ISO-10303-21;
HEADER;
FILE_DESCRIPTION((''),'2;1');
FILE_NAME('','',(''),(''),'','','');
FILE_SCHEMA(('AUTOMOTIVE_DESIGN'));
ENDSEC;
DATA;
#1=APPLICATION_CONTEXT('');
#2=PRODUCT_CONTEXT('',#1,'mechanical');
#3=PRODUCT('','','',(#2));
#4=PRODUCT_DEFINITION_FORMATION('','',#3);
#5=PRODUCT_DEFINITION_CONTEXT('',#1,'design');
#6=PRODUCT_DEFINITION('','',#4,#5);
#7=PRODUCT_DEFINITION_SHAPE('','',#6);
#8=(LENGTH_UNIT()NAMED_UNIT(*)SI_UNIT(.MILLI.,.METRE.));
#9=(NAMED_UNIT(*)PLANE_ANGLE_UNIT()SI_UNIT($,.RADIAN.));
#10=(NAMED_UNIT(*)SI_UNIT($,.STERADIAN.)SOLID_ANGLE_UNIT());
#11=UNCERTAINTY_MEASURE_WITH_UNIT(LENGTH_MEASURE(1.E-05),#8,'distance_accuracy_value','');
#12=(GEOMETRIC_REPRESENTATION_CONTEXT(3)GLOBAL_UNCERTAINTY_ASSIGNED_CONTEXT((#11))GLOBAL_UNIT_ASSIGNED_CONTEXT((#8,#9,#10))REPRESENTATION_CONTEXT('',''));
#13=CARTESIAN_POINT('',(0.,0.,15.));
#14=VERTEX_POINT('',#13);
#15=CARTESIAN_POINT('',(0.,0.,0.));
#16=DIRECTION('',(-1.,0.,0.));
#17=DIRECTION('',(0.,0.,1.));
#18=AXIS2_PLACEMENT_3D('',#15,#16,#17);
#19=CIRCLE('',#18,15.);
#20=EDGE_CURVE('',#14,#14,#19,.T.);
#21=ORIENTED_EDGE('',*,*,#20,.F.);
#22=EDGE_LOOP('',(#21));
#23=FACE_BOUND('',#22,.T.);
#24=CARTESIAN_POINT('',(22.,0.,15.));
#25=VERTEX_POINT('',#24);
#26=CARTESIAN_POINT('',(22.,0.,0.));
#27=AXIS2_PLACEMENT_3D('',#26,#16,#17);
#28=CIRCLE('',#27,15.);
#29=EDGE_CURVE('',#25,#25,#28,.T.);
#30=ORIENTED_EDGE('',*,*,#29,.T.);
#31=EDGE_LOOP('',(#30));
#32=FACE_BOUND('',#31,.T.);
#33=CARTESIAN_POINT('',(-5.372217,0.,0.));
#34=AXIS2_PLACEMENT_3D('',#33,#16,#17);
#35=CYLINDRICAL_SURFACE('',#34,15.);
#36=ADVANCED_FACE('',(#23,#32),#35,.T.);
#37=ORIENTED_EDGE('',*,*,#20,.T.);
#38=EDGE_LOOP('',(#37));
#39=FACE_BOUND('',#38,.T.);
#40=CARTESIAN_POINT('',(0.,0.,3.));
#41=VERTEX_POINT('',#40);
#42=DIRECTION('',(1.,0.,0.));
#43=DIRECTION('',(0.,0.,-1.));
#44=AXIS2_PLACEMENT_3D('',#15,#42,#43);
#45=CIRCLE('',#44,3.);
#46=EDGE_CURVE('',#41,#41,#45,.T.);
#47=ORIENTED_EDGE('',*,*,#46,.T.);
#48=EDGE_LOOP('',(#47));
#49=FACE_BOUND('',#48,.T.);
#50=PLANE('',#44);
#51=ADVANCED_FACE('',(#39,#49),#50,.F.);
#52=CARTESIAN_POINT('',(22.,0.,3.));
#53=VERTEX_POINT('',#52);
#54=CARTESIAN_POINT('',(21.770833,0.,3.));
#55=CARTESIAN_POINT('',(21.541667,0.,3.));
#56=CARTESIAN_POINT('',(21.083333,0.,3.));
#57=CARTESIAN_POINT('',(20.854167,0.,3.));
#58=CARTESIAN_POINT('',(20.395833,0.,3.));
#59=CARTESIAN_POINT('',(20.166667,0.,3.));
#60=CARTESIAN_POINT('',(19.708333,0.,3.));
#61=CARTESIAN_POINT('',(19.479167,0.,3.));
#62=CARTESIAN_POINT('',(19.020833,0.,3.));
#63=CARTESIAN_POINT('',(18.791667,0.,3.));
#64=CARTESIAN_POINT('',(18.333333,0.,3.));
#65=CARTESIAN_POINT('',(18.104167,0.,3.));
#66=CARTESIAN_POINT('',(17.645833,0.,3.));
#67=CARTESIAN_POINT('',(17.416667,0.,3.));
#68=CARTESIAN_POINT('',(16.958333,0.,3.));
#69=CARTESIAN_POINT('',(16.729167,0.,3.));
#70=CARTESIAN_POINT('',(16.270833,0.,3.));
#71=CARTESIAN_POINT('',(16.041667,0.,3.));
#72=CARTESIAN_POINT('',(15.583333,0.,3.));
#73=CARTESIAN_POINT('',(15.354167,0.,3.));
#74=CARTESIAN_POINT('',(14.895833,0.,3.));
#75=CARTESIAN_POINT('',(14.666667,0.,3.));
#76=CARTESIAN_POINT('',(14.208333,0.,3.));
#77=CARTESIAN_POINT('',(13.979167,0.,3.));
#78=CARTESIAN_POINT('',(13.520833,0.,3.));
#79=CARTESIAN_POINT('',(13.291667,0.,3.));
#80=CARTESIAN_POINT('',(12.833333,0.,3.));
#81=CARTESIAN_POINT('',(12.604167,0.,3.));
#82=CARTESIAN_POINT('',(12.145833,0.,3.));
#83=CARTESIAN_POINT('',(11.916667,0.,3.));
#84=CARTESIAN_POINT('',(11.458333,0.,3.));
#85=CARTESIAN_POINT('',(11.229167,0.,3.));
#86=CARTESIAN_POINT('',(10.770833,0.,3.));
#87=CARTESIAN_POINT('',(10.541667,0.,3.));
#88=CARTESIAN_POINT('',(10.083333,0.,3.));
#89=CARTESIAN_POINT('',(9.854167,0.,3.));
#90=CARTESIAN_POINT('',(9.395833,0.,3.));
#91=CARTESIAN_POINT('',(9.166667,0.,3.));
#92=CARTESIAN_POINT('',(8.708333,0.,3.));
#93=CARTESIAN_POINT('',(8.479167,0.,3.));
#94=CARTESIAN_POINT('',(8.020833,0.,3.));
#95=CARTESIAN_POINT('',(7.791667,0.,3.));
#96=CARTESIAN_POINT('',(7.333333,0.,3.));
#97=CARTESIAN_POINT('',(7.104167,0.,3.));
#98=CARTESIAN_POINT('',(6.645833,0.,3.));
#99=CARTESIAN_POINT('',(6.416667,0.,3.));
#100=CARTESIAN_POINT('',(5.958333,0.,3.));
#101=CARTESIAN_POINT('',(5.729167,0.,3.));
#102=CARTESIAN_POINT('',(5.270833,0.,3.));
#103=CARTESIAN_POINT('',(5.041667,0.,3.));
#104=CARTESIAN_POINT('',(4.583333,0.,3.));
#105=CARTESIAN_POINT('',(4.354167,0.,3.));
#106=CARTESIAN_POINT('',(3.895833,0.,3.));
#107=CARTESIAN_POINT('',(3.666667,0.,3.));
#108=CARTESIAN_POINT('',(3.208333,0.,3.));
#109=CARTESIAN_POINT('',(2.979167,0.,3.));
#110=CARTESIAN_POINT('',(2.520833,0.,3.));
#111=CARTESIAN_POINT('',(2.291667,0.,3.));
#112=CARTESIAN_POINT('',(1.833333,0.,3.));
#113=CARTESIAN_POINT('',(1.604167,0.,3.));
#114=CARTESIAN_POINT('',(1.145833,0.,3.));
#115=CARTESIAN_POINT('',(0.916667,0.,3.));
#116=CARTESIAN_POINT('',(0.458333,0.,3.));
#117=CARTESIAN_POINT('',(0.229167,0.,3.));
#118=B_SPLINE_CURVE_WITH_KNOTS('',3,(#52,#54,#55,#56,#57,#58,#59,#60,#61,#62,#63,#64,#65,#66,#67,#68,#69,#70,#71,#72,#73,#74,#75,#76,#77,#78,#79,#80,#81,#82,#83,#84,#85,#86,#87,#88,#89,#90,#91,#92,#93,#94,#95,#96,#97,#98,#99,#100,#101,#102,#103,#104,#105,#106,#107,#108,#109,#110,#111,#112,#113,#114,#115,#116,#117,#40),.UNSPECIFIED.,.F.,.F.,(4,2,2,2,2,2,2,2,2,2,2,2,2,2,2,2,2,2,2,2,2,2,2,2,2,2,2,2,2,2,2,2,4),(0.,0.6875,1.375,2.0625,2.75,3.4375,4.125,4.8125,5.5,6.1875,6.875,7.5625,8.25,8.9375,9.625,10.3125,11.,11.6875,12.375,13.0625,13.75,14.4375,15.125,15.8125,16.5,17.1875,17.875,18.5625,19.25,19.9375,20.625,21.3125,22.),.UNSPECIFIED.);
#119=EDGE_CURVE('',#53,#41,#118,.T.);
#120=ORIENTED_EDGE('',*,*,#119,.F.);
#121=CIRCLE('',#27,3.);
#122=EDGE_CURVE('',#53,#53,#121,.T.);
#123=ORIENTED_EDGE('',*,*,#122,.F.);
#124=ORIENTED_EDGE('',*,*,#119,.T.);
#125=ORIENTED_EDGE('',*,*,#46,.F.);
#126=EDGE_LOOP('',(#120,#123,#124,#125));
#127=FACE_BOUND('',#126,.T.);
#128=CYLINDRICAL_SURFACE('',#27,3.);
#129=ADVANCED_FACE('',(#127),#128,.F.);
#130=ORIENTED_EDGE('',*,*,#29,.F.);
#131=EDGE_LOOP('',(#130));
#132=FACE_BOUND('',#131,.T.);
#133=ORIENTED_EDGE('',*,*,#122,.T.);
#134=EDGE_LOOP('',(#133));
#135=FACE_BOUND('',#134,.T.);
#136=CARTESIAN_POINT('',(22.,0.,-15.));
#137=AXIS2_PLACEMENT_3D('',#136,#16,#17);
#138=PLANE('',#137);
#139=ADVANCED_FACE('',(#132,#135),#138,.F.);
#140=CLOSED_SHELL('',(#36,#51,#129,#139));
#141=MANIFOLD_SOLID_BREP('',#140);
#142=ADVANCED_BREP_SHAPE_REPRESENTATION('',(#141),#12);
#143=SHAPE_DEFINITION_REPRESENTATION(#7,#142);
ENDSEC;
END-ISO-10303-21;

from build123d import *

# Parameters (mm, degrees)
SKIZZE1_W                            = 22
SKIZZE1_H                            = 15
SCHNITT_LINEAR_AUSTRAGEN1_DEPTH      = 31.56141358
SCHNITT_LINEAR_AUSTRAGEN1_DEPTH_BACK = 31.56141358
SKIZZE2_R                            = 3


with BuildPart() as part:
    # Skizze1 → Rotation1 (revolve)
    with BuildSketch(Plane(origin=(0, 0, 0), x_dir=(1, 0, 0), z_dir=(0, 1, 0)), mode=Mode.PRIVATE) as rotation1_sk:
        with Locations((11, 7.5)):
            Rectangle(SKIZZE1_W, SKIZZE1_H)
    revolve(rotation1_sk.sketch.rotate(Axis((-5.372217405, 0, 0), (1, 0, 0)), 180), axis=Axis((-5.372217405, 0, 0), (1, 0, 0)))

    # Skizze2 → Schnitt-Linear austragen1 (cut, two sides: drawn at the far end of the back side and taken through both)
    with BuildSketch(Plane.ZY.offset(-SCHNITT_LINEAR_AUSTRAGEN1_DEPTH_BACK)):
        Circle(SKIZZE2_R)
    extrude(amount=SCHNITT_LINEAR_AUSTRAGEN1_DEPTH + SCHNITT_LINEAR_AUSTRAGEN1_DEPTH_BACK, mode=Mode.SUBTRACT)


solid = part.part
